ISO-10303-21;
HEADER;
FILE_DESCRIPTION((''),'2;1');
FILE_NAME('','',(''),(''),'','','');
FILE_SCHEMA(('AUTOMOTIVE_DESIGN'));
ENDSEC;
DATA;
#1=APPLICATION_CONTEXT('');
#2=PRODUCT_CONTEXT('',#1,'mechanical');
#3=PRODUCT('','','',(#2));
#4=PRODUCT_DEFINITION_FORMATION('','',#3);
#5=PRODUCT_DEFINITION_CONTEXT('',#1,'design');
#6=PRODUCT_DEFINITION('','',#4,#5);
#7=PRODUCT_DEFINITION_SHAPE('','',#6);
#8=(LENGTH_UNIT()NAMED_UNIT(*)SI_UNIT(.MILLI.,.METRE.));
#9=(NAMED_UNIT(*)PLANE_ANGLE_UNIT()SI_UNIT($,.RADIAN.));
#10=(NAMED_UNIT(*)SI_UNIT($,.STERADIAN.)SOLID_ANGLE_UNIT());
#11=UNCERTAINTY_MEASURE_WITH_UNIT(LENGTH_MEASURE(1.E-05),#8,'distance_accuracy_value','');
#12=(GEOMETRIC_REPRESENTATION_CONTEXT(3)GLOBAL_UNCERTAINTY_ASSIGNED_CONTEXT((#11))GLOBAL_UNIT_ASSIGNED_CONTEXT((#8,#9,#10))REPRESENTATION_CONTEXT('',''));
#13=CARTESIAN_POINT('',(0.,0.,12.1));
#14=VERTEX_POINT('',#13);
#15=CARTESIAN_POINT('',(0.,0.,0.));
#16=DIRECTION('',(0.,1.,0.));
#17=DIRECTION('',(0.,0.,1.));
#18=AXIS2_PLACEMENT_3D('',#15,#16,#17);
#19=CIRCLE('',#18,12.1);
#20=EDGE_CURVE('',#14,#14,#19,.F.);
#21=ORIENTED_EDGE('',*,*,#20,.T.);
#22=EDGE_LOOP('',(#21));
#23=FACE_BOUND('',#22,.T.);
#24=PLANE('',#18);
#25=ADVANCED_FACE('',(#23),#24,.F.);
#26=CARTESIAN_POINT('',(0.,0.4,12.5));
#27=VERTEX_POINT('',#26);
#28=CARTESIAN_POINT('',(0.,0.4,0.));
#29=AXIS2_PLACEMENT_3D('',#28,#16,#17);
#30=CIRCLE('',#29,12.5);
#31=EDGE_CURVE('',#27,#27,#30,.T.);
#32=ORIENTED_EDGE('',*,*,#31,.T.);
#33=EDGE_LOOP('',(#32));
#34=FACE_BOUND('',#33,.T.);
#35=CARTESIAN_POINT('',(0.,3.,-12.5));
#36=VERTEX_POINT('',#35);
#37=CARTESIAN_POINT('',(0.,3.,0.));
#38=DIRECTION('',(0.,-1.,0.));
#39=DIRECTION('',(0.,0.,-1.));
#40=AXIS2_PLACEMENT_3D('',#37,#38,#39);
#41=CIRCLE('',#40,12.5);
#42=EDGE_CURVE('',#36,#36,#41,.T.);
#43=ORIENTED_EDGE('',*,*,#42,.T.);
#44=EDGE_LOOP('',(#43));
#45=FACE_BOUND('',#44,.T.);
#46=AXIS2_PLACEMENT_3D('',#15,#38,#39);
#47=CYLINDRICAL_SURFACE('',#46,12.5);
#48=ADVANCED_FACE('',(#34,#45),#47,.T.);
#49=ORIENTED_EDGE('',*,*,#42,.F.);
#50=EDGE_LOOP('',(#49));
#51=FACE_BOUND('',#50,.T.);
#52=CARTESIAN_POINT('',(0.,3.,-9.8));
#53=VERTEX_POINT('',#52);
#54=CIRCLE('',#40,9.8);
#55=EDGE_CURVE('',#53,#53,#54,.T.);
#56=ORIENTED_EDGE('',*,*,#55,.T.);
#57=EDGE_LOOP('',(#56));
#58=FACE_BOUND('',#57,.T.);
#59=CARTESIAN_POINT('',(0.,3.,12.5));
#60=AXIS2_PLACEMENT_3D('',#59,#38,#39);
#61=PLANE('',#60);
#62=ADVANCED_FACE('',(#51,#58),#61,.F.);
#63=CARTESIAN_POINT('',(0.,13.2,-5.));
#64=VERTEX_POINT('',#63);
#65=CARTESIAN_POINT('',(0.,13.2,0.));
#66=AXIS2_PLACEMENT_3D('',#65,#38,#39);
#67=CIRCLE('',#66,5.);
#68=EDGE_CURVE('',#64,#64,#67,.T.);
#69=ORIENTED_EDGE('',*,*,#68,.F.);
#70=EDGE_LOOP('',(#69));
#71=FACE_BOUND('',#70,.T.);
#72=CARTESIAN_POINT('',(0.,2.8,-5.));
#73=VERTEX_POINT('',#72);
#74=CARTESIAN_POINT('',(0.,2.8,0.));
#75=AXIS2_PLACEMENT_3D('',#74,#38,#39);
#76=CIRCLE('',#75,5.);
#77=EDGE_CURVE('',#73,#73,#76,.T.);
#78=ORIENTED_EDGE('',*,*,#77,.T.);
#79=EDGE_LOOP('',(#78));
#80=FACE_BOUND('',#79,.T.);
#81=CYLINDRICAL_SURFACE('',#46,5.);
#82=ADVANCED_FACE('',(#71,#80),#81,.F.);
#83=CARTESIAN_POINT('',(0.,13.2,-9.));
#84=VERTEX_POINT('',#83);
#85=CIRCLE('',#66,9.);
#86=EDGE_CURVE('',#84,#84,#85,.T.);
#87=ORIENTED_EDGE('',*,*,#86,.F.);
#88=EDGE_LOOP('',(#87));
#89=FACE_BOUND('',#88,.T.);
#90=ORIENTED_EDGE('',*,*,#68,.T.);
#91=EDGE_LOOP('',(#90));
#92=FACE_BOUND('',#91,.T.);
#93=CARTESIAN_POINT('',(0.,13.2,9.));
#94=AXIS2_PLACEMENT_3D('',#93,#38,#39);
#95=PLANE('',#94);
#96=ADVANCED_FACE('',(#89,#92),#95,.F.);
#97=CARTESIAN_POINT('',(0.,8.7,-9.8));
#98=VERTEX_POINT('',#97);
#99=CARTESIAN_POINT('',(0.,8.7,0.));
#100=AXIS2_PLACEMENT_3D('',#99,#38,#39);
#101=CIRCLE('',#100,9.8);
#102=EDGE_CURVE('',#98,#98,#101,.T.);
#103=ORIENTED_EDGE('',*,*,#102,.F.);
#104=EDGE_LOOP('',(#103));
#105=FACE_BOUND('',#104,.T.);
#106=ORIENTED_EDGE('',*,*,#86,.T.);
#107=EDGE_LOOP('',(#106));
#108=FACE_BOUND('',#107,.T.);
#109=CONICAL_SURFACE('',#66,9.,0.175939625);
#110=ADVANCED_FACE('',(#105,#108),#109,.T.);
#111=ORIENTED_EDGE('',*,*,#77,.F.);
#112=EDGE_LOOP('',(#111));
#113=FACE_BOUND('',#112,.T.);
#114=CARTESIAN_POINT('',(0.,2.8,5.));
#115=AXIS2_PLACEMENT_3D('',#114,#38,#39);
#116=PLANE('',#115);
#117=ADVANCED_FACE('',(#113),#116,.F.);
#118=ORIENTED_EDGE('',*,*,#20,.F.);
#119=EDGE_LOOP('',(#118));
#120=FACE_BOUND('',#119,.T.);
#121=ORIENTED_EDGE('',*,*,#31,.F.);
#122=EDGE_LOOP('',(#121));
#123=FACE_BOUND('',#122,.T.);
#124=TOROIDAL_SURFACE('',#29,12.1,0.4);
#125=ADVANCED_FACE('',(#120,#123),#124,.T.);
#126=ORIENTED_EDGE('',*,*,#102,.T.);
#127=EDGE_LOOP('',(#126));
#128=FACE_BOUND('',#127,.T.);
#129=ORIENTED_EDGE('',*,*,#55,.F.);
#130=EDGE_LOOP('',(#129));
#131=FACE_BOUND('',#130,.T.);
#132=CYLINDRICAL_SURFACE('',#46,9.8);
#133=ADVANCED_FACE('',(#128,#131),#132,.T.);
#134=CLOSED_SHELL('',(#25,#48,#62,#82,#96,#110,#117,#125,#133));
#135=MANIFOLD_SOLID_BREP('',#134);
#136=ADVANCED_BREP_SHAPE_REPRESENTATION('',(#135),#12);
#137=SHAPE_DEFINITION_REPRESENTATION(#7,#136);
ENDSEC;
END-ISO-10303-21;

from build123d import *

# Parameters (mm, degrees)
FILLET1_R = 0.4


with BuildPart() as part:
    # Sketch1 → Revolve1 (revolve)
    with BuildSketch(Plane(origin=(0, 0, 0), x_dir=(0, 0, -1), z_dir=(1, 0, 0))):
        Polygon((0, 0), (-12.5, 0), (-12.5, 3), (-9.8, 3), (-9.8, 8.7), (-9, 13.2), (-5, 13.2), (-5, 2.8), (0, 2.8), align=None)
    revolve(axis=Axis((0, 0, 0), (0, 1, 0)))

    # Fillet1
    fillet1_edges = [part.edges().sort_by_distance(p)[0] for p in [
        (0, 0, -12.5),
    ]]
    fillet(fillet1_edges, radius=FILLET1_R)


solid = part.part
